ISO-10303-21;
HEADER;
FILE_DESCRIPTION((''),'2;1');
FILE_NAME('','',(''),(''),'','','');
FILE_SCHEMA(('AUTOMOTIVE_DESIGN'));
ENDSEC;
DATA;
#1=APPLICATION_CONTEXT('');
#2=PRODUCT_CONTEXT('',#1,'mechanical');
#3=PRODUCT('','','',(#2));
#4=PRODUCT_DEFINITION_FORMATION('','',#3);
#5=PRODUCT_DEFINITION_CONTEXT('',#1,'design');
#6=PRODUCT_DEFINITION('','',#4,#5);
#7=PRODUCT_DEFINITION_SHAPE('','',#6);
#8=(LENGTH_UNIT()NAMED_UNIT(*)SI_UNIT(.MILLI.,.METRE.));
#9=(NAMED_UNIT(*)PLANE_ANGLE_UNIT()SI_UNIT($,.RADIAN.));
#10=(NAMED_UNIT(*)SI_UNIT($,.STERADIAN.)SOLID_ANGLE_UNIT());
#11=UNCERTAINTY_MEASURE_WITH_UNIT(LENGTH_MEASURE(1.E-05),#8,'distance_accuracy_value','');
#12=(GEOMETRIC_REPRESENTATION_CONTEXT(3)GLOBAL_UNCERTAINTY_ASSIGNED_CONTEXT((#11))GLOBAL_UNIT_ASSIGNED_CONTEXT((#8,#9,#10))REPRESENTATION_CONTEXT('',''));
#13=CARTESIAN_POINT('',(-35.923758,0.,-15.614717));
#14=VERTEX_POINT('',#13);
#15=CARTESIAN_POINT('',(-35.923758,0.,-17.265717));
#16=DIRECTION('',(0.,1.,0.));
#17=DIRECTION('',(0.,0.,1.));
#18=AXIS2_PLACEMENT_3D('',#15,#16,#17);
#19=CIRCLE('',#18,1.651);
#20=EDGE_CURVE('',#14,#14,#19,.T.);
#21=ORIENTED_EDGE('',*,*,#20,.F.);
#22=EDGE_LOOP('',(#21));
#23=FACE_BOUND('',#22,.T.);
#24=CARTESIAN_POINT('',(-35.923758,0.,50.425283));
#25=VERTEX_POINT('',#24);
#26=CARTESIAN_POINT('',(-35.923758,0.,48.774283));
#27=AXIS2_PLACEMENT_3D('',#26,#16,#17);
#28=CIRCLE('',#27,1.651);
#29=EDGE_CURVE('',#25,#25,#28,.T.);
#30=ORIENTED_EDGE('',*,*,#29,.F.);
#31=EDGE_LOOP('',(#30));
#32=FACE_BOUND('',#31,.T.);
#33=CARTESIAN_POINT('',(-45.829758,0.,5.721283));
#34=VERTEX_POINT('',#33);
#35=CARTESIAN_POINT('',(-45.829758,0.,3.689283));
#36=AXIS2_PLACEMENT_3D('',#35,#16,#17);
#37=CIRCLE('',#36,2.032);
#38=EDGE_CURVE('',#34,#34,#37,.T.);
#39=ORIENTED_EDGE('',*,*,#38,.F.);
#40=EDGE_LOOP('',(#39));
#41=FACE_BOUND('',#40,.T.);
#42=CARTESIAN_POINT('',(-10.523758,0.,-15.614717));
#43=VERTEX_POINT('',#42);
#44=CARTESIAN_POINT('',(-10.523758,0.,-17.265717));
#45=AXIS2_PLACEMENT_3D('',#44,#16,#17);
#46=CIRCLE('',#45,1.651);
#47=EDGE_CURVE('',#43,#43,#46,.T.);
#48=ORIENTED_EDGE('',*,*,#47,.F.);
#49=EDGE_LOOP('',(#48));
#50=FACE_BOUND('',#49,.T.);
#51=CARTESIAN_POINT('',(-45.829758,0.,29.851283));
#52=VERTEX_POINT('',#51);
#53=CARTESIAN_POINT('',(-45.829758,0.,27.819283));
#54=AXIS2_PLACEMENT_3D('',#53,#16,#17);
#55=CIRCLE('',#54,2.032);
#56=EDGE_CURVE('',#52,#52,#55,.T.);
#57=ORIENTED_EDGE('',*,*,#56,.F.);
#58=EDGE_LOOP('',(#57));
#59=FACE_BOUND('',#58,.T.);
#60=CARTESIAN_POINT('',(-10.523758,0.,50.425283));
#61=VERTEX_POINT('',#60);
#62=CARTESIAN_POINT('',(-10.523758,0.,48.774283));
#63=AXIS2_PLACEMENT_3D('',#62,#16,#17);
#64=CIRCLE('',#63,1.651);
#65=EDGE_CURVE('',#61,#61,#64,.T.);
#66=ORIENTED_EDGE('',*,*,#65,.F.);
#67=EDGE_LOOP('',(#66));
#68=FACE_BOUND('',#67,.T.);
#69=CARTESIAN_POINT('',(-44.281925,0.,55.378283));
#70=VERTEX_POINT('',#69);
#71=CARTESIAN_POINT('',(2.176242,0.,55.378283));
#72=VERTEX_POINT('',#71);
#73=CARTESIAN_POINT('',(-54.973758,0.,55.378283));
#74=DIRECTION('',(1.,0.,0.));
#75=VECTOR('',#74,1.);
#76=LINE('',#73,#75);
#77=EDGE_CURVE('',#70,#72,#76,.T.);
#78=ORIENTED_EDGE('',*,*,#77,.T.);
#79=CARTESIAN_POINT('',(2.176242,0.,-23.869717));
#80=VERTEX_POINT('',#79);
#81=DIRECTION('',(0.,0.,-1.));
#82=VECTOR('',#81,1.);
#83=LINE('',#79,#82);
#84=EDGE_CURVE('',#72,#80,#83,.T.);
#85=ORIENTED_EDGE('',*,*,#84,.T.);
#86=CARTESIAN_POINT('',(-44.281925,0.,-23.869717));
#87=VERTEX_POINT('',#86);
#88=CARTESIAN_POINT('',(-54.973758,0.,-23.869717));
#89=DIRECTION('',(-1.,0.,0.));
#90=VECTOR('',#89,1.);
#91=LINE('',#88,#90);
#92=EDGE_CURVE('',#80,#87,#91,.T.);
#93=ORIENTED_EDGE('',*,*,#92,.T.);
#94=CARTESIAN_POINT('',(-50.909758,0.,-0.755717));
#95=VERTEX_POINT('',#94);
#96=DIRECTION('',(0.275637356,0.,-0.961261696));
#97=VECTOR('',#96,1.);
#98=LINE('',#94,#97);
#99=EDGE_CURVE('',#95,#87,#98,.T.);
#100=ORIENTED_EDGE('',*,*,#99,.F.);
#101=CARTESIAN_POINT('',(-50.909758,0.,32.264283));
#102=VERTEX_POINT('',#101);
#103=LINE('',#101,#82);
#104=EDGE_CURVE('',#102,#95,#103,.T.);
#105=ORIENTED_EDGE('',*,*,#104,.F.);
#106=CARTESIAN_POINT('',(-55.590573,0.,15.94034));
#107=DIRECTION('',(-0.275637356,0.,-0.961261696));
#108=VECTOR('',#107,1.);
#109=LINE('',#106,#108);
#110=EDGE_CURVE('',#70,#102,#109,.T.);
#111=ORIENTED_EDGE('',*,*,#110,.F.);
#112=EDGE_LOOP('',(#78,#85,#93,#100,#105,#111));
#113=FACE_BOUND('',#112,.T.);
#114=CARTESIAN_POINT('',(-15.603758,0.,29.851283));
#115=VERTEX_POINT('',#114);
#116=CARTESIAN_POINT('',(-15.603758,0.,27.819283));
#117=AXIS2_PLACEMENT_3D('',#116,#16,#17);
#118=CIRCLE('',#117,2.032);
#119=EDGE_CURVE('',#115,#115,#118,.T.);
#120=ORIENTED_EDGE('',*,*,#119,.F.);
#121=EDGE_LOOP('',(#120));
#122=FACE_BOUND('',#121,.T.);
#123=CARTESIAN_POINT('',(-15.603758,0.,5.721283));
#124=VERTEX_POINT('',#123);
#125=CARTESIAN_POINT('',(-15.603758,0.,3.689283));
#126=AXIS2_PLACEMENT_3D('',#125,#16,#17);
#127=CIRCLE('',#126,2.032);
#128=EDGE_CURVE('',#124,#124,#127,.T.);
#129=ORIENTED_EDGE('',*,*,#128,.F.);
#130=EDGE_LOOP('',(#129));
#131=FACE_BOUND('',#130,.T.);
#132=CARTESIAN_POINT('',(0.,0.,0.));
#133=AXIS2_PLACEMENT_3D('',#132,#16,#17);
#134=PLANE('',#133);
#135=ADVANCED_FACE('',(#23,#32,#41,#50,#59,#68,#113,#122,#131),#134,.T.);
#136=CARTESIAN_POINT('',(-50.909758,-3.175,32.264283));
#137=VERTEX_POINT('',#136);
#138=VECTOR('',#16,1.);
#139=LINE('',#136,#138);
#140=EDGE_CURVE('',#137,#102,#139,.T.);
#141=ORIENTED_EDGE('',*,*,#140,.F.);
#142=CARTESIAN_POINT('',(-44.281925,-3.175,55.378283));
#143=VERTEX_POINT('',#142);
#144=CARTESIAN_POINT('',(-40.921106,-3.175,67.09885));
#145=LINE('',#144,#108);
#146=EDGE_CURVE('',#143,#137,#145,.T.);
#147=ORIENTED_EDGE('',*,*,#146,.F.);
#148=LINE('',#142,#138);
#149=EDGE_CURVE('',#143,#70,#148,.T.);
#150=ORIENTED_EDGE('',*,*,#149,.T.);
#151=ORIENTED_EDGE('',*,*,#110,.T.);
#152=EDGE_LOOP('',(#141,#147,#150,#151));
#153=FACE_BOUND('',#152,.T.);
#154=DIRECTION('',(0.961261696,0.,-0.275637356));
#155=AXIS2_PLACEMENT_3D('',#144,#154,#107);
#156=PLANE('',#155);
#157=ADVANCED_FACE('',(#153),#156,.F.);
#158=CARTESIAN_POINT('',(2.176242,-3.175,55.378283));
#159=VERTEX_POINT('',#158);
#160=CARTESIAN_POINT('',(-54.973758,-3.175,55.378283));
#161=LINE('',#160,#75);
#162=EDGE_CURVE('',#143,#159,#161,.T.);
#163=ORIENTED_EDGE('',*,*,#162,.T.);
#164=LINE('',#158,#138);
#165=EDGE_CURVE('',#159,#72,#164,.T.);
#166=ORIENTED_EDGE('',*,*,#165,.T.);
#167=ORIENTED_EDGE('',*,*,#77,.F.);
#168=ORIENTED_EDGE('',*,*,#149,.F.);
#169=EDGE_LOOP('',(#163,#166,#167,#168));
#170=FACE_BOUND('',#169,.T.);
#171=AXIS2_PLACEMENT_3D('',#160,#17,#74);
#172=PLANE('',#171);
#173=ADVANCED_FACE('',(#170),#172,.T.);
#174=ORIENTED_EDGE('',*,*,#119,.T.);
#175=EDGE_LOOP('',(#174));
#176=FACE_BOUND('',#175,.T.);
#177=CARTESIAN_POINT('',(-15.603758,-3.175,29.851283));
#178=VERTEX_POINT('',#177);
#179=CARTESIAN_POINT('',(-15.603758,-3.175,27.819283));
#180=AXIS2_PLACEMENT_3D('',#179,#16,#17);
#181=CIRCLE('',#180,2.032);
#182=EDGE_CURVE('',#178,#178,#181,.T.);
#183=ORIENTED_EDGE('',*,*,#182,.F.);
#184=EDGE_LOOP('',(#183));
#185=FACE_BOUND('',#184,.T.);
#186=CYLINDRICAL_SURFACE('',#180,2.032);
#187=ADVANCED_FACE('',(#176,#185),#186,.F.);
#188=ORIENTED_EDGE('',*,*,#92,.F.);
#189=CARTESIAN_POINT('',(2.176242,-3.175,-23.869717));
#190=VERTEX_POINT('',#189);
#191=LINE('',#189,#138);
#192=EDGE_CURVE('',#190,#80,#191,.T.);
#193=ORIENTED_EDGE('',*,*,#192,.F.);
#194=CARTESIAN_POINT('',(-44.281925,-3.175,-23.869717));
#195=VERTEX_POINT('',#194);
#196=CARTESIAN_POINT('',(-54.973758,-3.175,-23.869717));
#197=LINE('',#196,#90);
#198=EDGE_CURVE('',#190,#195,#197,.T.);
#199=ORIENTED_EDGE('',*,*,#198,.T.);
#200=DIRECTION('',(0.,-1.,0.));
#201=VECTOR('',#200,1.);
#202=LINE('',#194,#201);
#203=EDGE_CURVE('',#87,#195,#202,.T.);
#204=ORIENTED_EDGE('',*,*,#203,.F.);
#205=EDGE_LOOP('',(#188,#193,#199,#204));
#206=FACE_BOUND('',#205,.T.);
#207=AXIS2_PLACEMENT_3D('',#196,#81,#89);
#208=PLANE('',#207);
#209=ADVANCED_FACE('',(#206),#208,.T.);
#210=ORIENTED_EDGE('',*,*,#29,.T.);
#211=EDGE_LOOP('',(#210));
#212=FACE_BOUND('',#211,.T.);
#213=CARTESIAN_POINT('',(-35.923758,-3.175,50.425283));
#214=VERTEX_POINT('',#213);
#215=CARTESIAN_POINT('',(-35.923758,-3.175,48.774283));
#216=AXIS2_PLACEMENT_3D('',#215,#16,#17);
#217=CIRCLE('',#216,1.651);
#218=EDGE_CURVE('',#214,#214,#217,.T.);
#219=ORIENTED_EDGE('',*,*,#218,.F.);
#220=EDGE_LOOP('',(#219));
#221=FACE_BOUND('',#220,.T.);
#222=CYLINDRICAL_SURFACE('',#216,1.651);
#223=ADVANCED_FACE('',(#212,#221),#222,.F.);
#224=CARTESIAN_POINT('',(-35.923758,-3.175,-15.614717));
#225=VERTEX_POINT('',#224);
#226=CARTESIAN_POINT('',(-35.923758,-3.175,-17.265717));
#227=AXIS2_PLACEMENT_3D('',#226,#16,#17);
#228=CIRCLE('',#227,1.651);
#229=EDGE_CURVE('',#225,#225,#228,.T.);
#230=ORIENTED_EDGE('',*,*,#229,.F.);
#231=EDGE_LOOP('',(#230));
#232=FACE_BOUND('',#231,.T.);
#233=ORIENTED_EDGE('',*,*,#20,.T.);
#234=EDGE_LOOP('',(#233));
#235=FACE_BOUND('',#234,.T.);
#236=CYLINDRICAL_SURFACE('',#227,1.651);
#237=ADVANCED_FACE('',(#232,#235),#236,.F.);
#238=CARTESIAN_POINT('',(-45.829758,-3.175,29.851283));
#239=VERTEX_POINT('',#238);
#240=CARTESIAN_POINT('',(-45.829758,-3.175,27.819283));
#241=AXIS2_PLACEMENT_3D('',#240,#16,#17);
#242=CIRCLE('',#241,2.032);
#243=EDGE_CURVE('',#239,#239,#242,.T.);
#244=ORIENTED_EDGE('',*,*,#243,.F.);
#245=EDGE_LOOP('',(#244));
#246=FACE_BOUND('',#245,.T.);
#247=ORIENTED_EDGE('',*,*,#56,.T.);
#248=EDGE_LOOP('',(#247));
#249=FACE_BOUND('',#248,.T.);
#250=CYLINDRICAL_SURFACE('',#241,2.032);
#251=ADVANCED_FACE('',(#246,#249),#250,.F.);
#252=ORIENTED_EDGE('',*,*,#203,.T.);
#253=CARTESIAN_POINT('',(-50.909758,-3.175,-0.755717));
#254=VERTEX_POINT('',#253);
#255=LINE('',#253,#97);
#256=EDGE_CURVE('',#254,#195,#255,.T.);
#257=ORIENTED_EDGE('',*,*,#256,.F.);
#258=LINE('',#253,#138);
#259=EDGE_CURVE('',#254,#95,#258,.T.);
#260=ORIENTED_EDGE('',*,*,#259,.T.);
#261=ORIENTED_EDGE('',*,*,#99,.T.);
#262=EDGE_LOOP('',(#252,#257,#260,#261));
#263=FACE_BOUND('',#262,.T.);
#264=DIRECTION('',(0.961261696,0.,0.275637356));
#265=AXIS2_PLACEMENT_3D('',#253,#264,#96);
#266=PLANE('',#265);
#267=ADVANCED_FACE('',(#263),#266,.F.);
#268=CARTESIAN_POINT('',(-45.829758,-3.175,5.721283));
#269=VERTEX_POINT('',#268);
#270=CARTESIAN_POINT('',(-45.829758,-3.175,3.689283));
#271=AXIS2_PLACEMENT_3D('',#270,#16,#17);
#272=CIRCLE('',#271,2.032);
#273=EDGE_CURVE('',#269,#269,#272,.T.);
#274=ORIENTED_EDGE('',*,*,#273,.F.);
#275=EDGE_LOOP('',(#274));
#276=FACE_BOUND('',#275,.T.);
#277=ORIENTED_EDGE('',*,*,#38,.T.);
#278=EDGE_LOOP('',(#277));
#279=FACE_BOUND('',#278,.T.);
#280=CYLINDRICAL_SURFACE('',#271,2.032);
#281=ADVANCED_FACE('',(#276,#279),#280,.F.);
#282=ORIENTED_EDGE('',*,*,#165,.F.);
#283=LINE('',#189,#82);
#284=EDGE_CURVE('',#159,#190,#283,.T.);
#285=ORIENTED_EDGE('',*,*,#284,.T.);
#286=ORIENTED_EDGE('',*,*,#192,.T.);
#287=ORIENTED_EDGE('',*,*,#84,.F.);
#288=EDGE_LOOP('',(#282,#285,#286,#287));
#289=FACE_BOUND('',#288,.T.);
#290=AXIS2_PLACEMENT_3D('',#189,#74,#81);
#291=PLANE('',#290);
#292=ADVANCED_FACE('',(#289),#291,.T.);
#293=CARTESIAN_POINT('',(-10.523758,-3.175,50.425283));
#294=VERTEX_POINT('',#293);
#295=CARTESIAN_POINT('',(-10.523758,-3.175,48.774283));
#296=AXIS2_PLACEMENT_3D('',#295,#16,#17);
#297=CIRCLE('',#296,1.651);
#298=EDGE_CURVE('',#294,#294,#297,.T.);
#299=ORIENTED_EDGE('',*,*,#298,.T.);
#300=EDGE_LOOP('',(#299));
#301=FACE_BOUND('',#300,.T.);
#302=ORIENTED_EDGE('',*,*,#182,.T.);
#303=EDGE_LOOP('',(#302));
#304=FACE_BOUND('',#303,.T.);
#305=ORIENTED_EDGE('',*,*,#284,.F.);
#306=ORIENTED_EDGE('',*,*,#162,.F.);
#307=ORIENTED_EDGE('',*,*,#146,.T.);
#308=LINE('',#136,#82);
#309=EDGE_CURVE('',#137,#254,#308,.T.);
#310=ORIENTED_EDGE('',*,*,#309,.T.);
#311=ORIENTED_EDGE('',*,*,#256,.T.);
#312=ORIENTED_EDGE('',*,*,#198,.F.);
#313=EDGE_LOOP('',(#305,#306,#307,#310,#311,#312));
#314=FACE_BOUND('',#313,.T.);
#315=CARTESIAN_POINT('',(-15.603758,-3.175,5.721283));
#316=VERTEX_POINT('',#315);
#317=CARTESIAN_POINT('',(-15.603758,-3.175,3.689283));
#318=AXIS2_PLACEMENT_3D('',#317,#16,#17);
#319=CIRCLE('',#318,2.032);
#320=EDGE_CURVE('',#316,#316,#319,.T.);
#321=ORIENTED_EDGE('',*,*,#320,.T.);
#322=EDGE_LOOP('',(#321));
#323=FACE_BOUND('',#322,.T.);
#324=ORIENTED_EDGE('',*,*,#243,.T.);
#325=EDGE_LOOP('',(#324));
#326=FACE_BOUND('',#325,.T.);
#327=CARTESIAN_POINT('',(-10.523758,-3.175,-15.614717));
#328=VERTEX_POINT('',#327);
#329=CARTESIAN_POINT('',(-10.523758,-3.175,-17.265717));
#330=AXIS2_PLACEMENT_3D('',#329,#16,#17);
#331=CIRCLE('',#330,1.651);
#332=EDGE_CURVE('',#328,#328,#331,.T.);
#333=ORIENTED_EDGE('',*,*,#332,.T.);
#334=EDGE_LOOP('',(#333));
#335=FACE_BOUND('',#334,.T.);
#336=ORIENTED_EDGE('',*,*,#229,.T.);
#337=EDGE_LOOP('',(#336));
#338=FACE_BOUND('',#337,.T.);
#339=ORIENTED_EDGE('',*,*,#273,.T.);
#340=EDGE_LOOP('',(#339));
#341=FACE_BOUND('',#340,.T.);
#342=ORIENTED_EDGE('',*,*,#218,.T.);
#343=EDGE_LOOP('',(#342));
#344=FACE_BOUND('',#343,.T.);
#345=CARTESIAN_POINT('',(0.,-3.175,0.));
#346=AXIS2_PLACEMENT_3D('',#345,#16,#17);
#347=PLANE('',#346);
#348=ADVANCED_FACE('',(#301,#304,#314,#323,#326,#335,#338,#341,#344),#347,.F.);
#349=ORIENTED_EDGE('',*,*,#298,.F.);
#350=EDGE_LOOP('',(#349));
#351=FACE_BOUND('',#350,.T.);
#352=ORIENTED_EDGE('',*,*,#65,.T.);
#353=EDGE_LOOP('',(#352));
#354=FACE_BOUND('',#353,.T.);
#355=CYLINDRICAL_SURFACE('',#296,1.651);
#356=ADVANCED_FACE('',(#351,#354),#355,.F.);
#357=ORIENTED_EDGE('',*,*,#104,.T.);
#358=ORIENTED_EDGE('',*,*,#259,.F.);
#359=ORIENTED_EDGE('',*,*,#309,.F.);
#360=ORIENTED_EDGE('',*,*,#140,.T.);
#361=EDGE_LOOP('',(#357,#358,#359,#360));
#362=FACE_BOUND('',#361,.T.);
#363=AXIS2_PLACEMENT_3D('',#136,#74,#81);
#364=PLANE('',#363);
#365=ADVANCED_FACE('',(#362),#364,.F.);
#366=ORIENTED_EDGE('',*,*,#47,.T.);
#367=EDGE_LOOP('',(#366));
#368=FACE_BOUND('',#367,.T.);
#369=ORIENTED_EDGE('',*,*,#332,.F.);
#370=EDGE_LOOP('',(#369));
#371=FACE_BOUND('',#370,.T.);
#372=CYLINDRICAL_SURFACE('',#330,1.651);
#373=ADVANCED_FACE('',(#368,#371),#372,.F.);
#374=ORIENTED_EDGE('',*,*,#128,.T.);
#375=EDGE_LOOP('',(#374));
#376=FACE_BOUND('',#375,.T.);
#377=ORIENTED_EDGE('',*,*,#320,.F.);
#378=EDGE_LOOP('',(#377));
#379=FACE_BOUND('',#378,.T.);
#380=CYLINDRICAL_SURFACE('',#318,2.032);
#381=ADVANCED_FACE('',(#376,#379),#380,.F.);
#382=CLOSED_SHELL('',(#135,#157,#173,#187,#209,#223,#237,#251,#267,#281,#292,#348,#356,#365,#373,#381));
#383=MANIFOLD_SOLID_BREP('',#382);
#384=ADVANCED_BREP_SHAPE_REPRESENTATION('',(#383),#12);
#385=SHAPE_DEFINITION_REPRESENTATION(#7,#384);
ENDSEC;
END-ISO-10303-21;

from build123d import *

# Parameters (mm, degrees)
SKETCH1_W           = 57.15
SKETCH1_H           = 79.248
BOSS_EXTRUDE1_DEPTH = 3.175
SKETCH2_R           = 1.651
CUT_EXTRUDE1_DEPTH  = 79.095767635
SKETCH3_R           = 2.032
CUT_EXTRUDE2_DEPTH  = 79.095767635
CUT_EXTRUDE3_DEPTH  = 79.095767635


with BuildPart() as part:
    # Sketch1 → Boss-Extrude1 (new body)
    with BuildSketch(Plane(origin=(0, 0, 0), x_dir=(1, 0, 0), z_dir=(0, 1, 0))):
        with Locations((-26.398757506, -15.754283497)):
            Rectangle(SKETCH1_W, SKETCH1_H)
    extrude(amount=-BOSS_EXTRUDE1_DEPTH)

    # Sketch2 → Cut-Extrude1 (cut, through all)
    with BuildSketch(Plane(origin=(0, 0, 0), x_dir=(1, 0, 0), z_dir=(0, 1, 0))):
        with Locations(Location((-35.923757506, -48.774283497, 0), (0, 0, 270))):
            Circle(SKETCH2_R)
        with Locations(Location((-35.923757506, 17.265716503, 0), (0, 0, 270))):
            Circle(SKETCH2_R)
        with Locations(Location((-10.523757506, -48.774283497, 0), (0, 0, 270))):
            Circle(SKETCH2_R)
        with Locations(Location((-10.523757506, 17.265716503, 0), (0, 0, 270))):
            Circle(SKETCH2_R)
    extrude(amount=-CUT_EXTRUDE1_DEPTH, mode=Mode.SUBTRACT)

    # Sketch3 → Cut-Extrude2 (cut, through all)
    with BuildSketch(Plane(origin=(0, 0, 0), x_dir=(1, 0, 0), z_dir=(0, 1, 0))):
        with Locations(Location((-45.829757506, -3.689283497, 0), (0, 0, 270))):
            Circle(SKETCH3_R)
        with Locations(Location((-15.603757506, -3.689283497, 0), (0, 0, 270))):
            Circle(SKETCH3_R)
        with Locations(Location((-45.829757506, -27.819283497, 0), (0, 0, 270))):
            Circle(SKETCH3_R)
        with Locations(Location((-15.603757506, -27.819283497, 0), (0, 0, 270))):
            Circle(SKETCH3_R)
    extrude(amount=-CUT_EXTRUDE2_DEPTH, mode=Mode.SUBTRACT)

    # Sketch4 → Cut-Extrude3 (cut, through all)
    with BuildSketch(Plane(origin=(0, 0, 0), x_dir=(1, 0, 0), z_dir=(0, 1, 0))):
        Polygon((-50.909757506, -32.264283497), (-50.909757506, 0.755716503), (-40.921106308, 35.590282968), (-90.515991817, 35.590282968), (-90.515991817, -67.098849962), (-50.909757506, -67.098849962), (-40.921106308, -67.098849962), align=None)
    extrude(amount=-CUT_EXTRUDE3_DEPTH, mode=Mode.SUBTRACT)


solid = part.part
